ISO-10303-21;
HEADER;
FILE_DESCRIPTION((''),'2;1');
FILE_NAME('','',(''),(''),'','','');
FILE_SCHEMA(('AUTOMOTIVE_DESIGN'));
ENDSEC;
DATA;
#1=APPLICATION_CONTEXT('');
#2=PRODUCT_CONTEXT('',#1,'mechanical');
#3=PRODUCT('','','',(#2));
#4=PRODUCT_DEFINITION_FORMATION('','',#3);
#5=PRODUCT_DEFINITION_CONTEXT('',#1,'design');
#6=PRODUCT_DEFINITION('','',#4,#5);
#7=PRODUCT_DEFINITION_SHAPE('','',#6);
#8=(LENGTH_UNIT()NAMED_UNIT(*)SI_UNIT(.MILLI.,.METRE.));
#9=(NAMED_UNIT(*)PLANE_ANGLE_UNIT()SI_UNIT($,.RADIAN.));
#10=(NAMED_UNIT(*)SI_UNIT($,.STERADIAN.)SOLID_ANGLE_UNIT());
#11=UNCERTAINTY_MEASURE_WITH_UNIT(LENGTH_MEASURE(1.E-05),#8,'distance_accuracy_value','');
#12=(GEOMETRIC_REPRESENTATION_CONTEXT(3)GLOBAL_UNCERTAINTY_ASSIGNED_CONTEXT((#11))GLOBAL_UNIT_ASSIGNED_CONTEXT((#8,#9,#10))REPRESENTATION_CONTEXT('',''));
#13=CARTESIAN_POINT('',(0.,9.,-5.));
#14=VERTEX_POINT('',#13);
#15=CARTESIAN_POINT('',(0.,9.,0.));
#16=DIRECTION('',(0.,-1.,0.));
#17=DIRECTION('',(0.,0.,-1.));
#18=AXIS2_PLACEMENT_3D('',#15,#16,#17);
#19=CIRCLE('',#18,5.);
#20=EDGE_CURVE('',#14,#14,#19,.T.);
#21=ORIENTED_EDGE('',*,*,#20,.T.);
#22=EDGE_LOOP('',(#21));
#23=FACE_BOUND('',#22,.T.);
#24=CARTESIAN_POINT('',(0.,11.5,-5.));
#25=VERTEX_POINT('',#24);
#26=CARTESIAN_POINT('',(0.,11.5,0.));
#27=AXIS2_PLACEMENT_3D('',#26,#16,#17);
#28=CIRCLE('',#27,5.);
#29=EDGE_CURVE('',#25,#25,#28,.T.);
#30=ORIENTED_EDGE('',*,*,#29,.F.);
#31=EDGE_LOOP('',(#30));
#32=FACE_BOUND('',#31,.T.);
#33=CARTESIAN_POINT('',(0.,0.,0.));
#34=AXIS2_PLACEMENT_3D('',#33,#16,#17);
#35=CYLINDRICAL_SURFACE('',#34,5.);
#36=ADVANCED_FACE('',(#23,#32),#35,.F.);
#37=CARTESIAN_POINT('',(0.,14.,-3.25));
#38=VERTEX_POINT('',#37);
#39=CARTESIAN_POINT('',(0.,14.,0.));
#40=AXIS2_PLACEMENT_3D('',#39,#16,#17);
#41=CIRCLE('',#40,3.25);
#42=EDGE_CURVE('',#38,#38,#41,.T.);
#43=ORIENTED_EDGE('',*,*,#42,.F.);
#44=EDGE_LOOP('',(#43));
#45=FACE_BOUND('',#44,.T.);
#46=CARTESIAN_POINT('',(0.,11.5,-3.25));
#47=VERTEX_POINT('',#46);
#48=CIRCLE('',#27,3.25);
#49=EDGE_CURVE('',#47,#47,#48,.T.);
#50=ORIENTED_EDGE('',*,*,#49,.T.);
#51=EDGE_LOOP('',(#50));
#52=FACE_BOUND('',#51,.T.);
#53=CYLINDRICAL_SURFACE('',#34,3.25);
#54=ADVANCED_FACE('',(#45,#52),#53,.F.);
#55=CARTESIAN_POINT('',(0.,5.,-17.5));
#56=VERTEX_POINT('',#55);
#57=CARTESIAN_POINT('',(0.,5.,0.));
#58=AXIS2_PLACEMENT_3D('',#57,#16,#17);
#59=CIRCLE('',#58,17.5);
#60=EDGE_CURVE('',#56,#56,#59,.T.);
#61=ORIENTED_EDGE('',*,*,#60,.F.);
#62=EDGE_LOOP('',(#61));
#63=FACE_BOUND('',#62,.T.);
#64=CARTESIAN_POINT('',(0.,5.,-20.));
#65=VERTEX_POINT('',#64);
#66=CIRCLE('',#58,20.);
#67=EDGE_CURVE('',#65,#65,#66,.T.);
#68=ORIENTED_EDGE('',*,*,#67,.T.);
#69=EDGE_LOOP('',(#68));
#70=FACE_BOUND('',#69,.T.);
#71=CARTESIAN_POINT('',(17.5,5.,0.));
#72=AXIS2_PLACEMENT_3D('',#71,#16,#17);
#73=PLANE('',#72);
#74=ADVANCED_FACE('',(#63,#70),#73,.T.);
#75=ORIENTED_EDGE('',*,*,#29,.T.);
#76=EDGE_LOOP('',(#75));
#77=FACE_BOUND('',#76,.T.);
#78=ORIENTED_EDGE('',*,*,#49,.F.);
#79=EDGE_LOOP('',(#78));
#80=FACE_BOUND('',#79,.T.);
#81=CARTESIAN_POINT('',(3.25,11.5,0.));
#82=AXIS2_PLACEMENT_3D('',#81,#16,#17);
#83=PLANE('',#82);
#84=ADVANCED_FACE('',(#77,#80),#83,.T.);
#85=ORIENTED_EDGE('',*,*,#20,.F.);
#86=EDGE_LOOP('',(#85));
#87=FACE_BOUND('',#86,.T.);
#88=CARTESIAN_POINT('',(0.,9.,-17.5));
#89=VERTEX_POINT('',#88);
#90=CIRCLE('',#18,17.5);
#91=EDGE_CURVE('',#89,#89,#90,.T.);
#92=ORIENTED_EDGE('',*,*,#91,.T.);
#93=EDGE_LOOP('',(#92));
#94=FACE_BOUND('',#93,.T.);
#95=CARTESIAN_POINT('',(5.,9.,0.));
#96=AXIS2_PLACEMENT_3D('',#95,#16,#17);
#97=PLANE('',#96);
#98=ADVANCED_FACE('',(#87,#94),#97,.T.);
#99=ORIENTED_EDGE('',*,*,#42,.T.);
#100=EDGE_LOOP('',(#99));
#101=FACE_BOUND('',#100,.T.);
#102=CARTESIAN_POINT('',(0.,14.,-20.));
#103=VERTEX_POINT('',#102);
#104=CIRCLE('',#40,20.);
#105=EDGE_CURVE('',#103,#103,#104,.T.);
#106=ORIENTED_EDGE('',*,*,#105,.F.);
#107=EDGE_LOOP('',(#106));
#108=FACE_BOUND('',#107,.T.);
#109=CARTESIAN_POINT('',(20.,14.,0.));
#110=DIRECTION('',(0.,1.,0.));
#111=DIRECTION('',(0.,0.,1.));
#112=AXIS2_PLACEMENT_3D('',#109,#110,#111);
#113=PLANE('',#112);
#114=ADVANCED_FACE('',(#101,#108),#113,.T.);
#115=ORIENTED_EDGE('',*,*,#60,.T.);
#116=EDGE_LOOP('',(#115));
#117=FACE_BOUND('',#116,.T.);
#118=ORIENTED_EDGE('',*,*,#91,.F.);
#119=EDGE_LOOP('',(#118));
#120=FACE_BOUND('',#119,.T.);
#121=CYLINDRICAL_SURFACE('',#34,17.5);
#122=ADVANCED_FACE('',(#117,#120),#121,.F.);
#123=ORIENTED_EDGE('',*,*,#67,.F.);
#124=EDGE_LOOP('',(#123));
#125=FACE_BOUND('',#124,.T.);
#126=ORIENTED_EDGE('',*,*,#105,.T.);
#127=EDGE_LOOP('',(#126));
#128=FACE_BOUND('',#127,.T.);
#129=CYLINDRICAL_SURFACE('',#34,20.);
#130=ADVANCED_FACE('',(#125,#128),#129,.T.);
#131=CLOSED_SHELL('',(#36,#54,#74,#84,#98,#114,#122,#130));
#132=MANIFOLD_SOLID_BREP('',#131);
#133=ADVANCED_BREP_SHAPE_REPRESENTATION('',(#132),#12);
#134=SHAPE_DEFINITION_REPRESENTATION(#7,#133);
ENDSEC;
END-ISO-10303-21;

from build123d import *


with BuildPart() as part:
    # Esboço1 → Revolução1 (revolve)
    with BuildSketch(Plane.XY):
        Polygon((3.25, 14), (3.25, 11.5), (5, 11.5), (5, 9), (17.5, 9), (17.5, 5), (20, 5), (20, 14), align=None)
    revolve(axis=Axis((0, 0, 0), (0, 1, 0)))


solid = part.part
